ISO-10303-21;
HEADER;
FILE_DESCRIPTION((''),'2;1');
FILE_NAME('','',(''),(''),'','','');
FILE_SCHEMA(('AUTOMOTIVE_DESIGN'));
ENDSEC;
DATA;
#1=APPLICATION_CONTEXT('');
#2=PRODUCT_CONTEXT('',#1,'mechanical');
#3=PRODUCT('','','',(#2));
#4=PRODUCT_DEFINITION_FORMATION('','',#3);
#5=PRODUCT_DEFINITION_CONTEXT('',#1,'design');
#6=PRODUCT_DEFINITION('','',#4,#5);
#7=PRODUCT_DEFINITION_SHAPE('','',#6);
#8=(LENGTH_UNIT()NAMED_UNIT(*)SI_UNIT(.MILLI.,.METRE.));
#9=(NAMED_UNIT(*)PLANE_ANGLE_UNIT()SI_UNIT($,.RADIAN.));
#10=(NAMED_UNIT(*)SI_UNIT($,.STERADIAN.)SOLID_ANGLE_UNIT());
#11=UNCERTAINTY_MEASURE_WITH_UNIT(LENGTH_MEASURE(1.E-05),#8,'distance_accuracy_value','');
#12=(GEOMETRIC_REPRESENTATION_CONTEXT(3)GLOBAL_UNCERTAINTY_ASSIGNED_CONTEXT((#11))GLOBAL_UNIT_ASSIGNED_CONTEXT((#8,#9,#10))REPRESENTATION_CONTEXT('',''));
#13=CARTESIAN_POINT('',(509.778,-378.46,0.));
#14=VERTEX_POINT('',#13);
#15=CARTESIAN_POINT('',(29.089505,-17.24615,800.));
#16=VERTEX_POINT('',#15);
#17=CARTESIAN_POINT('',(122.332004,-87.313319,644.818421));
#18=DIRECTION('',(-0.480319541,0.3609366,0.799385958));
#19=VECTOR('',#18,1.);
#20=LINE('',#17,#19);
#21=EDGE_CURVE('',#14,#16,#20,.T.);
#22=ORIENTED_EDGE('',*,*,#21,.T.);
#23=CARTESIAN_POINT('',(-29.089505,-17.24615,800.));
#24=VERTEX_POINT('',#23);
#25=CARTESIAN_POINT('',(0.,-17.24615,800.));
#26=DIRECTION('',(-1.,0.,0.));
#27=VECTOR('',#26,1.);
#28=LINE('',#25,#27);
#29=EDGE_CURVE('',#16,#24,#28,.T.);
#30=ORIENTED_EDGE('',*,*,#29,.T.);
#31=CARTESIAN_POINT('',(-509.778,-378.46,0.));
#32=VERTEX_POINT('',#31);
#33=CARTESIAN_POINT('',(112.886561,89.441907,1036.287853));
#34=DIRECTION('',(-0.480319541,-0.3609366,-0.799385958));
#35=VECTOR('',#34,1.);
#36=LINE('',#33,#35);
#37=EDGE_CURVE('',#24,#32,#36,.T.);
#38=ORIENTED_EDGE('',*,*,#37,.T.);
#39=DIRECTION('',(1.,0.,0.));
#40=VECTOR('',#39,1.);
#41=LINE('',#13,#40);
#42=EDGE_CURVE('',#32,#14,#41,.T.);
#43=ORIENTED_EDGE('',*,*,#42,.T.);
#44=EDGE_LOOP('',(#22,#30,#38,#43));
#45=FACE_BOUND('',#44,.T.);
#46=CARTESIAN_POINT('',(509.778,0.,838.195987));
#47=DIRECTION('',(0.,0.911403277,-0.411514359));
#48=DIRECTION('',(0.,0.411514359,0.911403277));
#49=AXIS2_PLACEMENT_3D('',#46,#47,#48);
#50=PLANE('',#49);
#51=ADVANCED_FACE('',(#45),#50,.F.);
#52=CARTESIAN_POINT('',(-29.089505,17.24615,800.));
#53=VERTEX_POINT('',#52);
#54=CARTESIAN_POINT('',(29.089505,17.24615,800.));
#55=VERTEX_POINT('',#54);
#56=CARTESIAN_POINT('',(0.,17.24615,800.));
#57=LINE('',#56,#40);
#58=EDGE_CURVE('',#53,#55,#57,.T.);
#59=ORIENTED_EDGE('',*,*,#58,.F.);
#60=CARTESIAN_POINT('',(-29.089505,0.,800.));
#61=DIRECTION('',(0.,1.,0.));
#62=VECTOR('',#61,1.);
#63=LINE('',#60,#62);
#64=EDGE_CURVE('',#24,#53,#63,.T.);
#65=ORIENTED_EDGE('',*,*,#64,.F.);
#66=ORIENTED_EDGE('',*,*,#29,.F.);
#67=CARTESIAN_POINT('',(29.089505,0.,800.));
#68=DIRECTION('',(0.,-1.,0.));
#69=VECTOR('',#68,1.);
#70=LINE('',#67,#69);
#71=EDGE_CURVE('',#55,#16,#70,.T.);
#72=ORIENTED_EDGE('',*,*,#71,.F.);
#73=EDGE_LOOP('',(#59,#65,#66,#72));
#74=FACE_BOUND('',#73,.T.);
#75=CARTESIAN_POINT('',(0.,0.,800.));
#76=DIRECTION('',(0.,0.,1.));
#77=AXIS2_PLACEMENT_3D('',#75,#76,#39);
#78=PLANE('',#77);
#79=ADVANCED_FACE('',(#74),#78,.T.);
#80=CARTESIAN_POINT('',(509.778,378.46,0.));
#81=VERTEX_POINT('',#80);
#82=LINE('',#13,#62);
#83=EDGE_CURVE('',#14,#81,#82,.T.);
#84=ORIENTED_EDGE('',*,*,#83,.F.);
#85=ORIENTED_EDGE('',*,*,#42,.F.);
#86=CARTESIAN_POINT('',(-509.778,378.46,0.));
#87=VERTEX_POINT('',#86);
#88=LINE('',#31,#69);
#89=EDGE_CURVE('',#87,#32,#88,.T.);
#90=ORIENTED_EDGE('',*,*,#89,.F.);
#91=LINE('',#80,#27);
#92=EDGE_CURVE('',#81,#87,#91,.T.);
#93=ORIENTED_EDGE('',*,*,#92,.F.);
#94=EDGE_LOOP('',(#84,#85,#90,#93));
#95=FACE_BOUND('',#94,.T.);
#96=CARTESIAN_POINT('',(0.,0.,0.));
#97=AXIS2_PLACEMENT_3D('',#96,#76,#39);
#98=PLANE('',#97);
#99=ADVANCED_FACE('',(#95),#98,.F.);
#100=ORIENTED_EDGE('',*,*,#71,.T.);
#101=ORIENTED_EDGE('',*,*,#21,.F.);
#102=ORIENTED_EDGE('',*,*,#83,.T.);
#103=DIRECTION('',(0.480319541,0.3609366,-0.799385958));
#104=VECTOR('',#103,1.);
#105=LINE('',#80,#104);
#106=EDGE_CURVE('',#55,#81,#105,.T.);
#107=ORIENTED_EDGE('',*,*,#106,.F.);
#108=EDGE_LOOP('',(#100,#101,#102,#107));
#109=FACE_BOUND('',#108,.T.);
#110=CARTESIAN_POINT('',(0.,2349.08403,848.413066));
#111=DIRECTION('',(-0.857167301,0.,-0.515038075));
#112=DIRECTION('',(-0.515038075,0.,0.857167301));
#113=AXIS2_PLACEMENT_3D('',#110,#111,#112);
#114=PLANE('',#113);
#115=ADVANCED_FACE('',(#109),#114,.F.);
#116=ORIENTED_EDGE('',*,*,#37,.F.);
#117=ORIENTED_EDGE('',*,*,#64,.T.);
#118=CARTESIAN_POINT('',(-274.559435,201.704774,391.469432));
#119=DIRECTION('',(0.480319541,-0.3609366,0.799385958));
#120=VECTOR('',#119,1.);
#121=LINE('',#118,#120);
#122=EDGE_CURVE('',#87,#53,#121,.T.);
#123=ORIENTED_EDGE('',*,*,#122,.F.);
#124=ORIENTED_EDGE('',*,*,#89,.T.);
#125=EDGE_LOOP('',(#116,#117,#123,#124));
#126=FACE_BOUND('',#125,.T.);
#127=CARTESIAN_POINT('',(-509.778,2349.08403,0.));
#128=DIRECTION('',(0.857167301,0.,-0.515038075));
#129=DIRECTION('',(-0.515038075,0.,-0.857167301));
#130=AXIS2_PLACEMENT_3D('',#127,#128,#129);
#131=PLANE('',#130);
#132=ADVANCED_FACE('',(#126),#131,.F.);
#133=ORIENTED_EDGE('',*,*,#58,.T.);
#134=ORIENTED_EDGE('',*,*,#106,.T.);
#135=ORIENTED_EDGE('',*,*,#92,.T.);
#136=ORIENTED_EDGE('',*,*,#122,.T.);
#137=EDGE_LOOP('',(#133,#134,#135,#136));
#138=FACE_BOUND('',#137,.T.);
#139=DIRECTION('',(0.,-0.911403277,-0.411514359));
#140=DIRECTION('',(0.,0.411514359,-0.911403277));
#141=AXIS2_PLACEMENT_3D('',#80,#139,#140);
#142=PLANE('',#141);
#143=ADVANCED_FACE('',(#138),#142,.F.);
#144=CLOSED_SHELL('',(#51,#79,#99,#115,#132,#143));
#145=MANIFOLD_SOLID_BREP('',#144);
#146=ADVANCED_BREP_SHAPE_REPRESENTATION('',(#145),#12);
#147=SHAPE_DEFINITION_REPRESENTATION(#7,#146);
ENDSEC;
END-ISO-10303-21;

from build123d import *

# Parameters (mm, degrees)
SKETCH1_W               = 1019.556
SKETCH1_H               = 756.92
BOSS_EXTRUDE1_DEPTH     = 800
CUT_EXTRUDE1_DEPTH      = 1351.083852483
CUT_EXTRUDE2_DEPTH      = 1022.325404014
CUT_EXTRUDE2_DEPTH_BACK = 1022.325404014


with BuildPart() as part:
    # Sketch1 → Boss-Extrude1 (new body)
    with BuildSketch(Plane.XY):
        Rectangle(SKETCH1_W, SKETCH1_H)
    extrude(amount=BOSS_EXTRUDE1_DEPTH)

    # Sketch2 → Cut-Extrude1 (cut, through all)
    with BuildSketch(Plane(origin=(509.778, 0, 0), x_dir=(0, 0, -1), z_dir=(1, 0, 0))):
        Polygon((2016.625671317, 1289.001404615), (0, 378.46), (-838.195987242, 0), (0, -378.46), (2016.625671317, -1289.001404615), (-2408.694542061, -1289.001404615), (-2408.694542061, 1289.001404615), align=None)
    extrude(amount=-CUT_EXTRUDE1_DEPTH, mode=Mode.SUBTRACT)

    # Sketch4 → Cut-Extrude2 (cut, two sides: drawn at the far end of the back side and taken through both)
    with BuildSketch(Plane(origin=(0, 0, 0), x_dir=(1, 0, 0), z_dir=(0, 1, 0)).offset(-CUT_EXTRUDE2_DEPTH_BACK)):
        Polygon((-1849.85876024, 2230.26891396), (-509.778, 0), (0, -848.413065954), (509.778, 0), (1849.85876024, 2230.26891396), (1849.85876024, -2973.543485633), (-1849.85876024, -2973.543485633), align=None)
    extrude(amount=CUT_EXTRUDE2_DEPTH + CUT_EXTRUDE2_DEPTH_BACK, mode=Mode.SUBTRACT)


solid = part.part
